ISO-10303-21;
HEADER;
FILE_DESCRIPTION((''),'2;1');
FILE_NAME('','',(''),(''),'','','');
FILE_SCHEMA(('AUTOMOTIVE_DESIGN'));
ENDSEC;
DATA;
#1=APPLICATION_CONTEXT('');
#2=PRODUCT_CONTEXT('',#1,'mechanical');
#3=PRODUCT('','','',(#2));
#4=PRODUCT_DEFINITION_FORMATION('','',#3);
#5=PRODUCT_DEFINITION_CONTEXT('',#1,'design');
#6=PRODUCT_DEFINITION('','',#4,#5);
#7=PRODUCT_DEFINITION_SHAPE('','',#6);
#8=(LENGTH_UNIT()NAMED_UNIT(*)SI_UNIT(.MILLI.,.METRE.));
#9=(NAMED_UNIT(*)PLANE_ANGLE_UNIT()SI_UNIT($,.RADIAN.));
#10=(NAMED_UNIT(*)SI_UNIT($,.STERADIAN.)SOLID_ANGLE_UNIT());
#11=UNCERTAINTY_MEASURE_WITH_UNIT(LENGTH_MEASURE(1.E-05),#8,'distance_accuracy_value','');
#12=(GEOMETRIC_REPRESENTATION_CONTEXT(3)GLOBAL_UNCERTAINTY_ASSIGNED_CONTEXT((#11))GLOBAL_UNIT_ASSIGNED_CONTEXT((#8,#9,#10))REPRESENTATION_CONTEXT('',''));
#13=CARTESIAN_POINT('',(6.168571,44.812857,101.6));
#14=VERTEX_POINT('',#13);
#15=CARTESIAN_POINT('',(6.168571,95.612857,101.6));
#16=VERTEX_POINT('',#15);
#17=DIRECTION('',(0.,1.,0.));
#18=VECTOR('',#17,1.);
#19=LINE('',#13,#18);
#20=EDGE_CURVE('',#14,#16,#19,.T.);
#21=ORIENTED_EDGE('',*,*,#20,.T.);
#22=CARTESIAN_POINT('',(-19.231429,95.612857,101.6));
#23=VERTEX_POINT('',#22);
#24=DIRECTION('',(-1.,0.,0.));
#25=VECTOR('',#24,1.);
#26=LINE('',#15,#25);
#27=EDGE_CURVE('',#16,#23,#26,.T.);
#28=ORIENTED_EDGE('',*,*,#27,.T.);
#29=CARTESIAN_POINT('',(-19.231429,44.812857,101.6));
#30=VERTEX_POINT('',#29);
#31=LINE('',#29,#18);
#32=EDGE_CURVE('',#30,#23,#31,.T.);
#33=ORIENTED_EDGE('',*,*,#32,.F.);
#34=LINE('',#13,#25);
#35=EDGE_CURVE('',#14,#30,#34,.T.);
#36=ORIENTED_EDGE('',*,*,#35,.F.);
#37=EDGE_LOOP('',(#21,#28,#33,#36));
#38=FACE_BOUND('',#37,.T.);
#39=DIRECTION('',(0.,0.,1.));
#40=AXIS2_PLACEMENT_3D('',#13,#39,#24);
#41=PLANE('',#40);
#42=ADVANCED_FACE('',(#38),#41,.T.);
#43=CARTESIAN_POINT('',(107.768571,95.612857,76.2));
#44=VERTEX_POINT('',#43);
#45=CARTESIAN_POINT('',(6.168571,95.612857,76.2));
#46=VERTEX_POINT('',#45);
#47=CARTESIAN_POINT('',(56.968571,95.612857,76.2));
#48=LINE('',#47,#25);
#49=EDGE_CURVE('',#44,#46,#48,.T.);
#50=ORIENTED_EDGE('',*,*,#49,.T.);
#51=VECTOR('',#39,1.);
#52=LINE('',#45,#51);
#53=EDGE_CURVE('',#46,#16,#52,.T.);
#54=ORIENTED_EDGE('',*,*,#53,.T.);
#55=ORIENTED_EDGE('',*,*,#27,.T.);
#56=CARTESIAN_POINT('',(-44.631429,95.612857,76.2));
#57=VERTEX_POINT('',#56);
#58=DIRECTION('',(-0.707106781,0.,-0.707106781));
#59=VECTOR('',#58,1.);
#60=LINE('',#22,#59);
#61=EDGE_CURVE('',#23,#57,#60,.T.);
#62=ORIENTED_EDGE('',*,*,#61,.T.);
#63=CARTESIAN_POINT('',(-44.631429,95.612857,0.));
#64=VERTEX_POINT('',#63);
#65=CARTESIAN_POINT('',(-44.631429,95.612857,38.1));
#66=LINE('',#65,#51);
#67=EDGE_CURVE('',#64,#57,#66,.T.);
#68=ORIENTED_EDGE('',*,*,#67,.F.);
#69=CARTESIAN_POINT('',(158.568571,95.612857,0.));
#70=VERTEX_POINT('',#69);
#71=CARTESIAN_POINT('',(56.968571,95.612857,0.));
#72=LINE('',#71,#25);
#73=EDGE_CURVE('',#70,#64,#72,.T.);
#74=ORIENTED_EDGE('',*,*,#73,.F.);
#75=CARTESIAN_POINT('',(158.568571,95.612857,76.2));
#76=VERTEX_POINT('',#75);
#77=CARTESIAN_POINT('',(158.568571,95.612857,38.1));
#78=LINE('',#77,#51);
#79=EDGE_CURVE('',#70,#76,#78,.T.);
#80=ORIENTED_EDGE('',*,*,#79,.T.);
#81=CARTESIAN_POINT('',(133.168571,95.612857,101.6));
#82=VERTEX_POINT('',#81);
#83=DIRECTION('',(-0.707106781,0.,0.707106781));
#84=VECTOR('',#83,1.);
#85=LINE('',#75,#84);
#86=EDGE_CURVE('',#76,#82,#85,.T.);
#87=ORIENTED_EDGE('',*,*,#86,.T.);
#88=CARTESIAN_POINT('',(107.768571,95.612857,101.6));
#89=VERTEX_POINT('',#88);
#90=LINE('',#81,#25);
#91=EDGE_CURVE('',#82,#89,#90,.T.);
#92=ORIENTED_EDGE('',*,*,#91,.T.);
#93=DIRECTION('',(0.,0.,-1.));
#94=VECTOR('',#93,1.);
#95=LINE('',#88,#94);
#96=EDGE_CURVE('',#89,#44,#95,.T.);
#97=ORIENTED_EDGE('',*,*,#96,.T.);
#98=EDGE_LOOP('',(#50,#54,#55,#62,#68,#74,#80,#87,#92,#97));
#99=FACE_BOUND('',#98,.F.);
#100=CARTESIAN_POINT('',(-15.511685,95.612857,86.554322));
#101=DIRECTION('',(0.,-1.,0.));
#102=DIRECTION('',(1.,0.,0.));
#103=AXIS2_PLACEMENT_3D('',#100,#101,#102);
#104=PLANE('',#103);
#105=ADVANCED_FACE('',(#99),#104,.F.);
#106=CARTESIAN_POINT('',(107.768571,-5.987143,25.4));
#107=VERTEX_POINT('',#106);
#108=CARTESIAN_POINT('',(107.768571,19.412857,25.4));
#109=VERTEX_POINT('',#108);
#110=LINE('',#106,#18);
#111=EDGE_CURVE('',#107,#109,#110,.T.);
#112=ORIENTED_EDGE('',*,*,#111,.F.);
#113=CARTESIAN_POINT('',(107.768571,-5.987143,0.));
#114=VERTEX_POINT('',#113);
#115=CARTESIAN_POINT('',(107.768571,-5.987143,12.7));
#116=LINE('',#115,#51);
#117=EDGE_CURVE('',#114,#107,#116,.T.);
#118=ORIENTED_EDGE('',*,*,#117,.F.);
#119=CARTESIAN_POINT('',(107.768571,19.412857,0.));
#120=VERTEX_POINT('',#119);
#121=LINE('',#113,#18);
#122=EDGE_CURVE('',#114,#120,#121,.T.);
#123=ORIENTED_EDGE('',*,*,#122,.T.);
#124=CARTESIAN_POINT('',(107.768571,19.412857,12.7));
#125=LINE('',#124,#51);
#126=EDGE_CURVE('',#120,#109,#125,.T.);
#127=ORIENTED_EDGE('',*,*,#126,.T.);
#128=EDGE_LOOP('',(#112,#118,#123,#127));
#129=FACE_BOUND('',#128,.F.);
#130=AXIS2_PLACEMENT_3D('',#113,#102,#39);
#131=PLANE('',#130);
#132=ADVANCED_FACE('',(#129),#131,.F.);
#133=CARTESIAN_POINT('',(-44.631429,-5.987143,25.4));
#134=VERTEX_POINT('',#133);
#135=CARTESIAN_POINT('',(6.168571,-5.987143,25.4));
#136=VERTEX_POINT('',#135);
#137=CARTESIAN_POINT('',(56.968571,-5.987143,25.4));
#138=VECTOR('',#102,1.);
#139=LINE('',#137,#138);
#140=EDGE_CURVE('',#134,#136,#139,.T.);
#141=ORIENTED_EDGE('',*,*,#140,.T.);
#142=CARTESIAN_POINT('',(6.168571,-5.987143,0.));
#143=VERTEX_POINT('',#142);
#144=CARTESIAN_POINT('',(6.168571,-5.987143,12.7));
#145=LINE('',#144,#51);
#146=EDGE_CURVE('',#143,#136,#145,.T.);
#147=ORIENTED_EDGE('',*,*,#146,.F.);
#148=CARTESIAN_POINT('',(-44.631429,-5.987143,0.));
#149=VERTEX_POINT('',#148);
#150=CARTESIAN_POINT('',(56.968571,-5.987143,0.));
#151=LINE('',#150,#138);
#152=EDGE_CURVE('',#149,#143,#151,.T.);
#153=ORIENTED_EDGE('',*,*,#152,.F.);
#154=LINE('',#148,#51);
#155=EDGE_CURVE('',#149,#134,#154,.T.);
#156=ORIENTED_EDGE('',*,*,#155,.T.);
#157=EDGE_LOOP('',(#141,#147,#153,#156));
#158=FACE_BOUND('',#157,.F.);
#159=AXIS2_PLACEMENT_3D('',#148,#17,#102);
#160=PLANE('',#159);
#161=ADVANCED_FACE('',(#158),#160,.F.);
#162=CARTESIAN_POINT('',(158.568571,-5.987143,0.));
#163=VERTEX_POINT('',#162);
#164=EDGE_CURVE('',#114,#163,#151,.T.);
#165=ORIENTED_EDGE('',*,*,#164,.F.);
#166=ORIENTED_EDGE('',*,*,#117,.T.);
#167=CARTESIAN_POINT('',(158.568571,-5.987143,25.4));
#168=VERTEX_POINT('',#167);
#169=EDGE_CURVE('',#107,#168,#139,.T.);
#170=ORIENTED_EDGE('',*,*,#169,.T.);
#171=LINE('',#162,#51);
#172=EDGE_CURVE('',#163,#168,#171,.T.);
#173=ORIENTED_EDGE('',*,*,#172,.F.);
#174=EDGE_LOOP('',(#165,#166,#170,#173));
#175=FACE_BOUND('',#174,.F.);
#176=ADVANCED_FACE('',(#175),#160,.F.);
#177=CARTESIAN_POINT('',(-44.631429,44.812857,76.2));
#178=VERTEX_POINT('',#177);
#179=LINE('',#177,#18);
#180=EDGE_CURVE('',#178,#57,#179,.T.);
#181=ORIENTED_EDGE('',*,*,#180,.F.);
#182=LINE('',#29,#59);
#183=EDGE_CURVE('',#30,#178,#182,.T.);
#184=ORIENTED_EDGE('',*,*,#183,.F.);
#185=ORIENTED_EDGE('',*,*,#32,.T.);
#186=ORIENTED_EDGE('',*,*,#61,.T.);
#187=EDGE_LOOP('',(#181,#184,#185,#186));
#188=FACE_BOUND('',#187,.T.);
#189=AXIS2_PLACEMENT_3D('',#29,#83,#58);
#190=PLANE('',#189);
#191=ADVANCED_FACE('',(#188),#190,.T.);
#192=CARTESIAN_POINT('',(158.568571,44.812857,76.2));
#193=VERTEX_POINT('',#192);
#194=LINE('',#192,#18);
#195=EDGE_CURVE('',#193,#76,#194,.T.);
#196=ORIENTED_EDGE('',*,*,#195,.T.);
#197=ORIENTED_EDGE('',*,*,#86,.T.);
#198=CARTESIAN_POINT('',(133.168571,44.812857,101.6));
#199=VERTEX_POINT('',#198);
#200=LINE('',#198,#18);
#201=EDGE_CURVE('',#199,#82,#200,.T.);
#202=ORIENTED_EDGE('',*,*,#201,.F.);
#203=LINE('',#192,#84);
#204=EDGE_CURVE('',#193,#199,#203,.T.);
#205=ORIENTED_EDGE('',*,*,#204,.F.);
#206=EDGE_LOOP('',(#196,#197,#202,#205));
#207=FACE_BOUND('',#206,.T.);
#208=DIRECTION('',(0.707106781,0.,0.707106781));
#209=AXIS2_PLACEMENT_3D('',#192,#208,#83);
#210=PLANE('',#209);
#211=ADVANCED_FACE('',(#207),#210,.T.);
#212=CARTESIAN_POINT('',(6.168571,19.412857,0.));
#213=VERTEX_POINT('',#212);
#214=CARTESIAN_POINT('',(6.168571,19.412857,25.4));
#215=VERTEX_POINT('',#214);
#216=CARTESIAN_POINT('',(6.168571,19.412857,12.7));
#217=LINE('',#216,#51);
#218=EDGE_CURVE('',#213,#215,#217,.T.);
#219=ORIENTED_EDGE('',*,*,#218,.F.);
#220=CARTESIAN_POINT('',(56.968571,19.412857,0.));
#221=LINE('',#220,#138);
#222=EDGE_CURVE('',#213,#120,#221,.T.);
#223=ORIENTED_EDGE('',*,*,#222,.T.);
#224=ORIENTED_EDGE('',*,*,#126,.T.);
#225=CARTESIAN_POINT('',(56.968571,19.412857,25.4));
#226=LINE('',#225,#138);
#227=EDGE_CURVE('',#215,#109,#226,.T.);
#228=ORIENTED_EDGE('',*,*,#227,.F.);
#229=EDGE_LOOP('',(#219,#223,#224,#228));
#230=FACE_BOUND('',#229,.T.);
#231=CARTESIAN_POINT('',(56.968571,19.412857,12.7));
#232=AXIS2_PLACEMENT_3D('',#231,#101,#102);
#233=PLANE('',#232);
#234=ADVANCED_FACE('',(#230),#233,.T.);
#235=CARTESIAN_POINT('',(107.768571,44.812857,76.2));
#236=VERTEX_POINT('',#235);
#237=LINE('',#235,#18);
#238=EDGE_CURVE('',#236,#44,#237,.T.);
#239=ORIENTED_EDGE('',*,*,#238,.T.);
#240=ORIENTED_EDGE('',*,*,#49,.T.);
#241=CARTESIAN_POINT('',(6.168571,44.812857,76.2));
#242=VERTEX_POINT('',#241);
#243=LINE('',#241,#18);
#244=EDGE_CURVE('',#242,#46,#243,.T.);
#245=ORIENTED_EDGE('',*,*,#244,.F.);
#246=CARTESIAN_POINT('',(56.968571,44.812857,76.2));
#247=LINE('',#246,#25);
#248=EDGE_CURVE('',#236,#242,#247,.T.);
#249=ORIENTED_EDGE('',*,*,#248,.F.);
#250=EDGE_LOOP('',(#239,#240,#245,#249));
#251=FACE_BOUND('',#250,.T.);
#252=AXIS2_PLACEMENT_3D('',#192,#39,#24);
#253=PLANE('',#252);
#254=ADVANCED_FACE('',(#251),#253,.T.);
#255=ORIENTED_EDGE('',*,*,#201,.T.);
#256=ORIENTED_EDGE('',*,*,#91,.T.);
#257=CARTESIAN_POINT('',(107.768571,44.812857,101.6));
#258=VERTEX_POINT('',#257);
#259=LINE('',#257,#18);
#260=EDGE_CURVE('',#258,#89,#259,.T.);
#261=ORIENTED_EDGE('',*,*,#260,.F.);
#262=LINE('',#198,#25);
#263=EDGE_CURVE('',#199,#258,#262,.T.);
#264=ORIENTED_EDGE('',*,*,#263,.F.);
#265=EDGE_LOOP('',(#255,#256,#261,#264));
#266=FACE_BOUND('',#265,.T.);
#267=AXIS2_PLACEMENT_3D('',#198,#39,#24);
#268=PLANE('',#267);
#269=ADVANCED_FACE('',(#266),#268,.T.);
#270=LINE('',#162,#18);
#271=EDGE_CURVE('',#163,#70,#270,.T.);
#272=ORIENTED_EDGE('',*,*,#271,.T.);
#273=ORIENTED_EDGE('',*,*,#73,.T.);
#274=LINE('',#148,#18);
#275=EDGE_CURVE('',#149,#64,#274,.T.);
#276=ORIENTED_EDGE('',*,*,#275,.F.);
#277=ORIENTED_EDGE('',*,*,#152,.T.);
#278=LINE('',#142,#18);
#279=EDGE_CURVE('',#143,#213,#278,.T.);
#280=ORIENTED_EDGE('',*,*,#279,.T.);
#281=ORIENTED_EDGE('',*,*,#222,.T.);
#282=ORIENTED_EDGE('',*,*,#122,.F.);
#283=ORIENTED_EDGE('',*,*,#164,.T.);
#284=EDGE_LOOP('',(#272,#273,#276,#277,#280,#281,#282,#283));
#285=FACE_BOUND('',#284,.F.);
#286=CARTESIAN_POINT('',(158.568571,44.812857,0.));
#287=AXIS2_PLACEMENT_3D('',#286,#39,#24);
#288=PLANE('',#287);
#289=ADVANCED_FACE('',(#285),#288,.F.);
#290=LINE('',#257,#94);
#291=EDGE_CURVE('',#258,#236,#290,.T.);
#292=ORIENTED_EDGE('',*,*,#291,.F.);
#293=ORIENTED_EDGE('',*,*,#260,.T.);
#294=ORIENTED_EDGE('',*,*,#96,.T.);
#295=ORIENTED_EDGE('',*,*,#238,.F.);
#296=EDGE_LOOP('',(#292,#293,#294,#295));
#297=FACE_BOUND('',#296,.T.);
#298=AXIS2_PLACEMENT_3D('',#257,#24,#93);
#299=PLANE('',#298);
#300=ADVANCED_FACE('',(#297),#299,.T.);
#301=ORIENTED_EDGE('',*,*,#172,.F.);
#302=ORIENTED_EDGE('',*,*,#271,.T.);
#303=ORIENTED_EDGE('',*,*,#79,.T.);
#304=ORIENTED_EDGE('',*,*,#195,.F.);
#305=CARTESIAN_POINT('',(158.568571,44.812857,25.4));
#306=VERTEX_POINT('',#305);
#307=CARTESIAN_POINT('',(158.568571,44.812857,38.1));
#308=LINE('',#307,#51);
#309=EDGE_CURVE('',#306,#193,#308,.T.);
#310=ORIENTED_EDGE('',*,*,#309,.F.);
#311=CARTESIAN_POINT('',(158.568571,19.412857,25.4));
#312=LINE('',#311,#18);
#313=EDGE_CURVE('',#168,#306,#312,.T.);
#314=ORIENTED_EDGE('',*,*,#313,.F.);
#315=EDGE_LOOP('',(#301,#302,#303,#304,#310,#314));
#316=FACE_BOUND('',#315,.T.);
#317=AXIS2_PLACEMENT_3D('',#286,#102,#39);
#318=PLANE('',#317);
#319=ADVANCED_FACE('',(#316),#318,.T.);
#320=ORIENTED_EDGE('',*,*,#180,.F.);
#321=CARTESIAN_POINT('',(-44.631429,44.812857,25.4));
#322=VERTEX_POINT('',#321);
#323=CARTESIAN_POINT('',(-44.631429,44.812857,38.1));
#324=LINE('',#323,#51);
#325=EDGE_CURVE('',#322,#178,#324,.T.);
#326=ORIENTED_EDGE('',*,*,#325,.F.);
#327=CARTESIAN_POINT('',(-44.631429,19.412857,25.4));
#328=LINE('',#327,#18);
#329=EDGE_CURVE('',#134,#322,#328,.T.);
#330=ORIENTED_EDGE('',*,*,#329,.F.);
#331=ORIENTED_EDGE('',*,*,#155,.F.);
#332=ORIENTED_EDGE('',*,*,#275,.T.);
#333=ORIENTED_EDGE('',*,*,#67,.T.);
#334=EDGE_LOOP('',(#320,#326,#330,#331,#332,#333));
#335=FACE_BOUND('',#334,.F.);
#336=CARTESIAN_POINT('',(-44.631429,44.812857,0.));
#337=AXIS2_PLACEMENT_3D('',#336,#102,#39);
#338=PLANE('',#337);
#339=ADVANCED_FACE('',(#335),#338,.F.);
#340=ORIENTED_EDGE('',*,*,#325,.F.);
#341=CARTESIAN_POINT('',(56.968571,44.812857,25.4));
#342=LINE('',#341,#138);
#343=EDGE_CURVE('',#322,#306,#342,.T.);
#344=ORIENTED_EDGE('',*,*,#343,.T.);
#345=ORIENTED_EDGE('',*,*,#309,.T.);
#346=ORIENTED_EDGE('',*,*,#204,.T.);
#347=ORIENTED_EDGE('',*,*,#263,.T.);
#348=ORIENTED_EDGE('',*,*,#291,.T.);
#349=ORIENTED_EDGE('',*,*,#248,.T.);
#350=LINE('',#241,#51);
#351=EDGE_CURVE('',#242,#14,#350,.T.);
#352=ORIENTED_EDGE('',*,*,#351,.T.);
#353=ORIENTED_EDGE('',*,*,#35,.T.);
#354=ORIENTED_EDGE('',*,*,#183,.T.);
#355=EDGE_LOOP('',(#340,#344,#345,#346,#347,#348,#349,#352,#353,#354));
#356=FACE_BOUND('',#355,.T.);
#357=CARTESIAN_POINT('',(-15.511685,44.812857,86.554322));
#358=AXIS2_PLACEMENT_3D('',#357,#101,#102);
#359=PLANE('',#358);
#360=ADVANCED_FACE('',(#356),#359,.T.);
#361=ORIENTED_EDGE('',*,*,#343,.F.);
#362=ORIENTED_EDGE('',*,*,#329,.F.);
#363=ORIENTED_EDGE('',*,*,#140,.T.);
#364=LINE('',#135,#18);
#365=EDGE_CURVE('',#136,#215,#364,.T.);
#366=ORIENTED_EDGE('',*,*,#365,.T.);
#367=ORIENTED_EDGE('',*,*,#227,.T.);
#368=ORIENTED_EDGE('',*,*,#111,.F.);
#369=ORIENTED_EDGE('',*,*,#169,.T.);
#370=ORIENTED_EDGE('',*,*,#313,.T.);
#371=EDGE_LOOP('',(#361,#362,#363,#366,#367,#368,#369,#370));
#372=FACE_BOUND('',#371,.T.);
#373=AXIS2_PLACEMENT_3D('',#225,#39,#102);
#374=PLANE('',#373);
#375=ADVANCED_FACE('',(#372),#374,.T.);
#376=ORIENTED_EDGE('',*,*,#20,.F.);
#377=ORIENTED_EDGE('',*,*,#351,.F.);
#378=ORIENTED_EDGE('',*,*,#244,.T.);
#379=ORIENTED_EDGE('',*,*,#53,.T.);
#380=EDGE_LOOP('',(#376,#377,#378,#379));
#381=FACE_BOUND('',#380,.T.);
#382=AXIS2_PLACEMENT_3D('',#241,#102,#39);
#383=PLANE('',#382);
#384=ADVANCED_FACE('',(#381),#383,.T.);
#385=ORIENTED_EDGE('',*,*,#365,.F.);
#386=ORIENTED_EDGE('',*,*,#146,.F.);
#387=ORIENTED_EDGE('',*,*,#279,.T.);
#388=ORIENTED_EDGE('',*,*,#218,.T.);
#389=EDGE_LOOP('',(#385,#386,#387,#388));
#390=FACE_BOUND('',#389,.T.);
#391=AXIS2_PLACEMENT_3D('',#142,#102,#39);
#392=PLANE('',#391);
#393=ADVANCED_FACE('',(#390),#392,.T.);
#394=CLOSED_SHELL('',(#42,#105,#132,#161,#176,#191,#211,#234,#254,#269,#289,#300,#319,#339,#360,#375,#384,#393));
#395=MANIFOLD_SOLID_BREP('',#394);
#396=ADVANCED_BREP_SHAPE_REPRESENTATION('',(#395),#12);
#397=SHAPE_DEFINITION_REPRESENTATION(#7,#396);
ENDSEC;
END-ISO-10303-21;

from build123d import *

# Parameters (mm, degrees)
F0_W     = 203.2
F0_H     = 50.8
F1_DEPTH = 25.4
F2_W     = 101.6
F2_H     = 25.4
F3_DEPTH = 25.4
F4_W     = 203.2
F4_H     = 76.2
F5_DEPTH = 50.8
F7_DEPTH = 50.8
F9_DEPTH = 50.8


with BuildPart() as f1:
    # F0 (on Top) → F1 (new body)
    with BuildSketch(Plane.XY):
        with Locations((56.968571, 19.412857)):
            Rectangle(F0_W, F0_H)
    extrude(amount=F1_DEPTH)

    # F2 (on face) → F3 (cut)
    with BuildSketch(Plane.XZ.offset(5.987143)):
        with Locations((56.968571, 12.7)):
            Rectangle(F2_W, F2_H)
    extrude(amount=-F3_DEPTH, mode=Mode.SUBTRACT)

    # F4 (on face) → F5 (join)
    with BuildSketch(Plane(origin=(0, 44.812857, 0), x_dir=(-1, 0, 0), z_dir=(0, 1, 0))):
        with Locations((-56.968571, 38.1)):
            Rectangle(F4_W, F4_H)
    extrude(amount=F5_DEPTH)

    # F6 (on face) → F7 (join)
    with BuildSketch(Plane.XZ.offset(-44.812857)):
        Polygon((107.768571, 76.2), (158.568571, 76.2), (133.168571, 101.6), (107.768571, 101.6), align=None)
    extrude(amount=-F7_DEPTH)

    # F8 (on face) → F9 (join)
    with BuildSketch(Plane.XZ.offset(-44.812857)):
        Polygon((-19.231429, 101.6), (-44.631429, 76.2), (6.168571, 76.2), (6.168571, 101.6), align=None)
    extrude(amount=-F9_DEPTH)


solid = f1.part
